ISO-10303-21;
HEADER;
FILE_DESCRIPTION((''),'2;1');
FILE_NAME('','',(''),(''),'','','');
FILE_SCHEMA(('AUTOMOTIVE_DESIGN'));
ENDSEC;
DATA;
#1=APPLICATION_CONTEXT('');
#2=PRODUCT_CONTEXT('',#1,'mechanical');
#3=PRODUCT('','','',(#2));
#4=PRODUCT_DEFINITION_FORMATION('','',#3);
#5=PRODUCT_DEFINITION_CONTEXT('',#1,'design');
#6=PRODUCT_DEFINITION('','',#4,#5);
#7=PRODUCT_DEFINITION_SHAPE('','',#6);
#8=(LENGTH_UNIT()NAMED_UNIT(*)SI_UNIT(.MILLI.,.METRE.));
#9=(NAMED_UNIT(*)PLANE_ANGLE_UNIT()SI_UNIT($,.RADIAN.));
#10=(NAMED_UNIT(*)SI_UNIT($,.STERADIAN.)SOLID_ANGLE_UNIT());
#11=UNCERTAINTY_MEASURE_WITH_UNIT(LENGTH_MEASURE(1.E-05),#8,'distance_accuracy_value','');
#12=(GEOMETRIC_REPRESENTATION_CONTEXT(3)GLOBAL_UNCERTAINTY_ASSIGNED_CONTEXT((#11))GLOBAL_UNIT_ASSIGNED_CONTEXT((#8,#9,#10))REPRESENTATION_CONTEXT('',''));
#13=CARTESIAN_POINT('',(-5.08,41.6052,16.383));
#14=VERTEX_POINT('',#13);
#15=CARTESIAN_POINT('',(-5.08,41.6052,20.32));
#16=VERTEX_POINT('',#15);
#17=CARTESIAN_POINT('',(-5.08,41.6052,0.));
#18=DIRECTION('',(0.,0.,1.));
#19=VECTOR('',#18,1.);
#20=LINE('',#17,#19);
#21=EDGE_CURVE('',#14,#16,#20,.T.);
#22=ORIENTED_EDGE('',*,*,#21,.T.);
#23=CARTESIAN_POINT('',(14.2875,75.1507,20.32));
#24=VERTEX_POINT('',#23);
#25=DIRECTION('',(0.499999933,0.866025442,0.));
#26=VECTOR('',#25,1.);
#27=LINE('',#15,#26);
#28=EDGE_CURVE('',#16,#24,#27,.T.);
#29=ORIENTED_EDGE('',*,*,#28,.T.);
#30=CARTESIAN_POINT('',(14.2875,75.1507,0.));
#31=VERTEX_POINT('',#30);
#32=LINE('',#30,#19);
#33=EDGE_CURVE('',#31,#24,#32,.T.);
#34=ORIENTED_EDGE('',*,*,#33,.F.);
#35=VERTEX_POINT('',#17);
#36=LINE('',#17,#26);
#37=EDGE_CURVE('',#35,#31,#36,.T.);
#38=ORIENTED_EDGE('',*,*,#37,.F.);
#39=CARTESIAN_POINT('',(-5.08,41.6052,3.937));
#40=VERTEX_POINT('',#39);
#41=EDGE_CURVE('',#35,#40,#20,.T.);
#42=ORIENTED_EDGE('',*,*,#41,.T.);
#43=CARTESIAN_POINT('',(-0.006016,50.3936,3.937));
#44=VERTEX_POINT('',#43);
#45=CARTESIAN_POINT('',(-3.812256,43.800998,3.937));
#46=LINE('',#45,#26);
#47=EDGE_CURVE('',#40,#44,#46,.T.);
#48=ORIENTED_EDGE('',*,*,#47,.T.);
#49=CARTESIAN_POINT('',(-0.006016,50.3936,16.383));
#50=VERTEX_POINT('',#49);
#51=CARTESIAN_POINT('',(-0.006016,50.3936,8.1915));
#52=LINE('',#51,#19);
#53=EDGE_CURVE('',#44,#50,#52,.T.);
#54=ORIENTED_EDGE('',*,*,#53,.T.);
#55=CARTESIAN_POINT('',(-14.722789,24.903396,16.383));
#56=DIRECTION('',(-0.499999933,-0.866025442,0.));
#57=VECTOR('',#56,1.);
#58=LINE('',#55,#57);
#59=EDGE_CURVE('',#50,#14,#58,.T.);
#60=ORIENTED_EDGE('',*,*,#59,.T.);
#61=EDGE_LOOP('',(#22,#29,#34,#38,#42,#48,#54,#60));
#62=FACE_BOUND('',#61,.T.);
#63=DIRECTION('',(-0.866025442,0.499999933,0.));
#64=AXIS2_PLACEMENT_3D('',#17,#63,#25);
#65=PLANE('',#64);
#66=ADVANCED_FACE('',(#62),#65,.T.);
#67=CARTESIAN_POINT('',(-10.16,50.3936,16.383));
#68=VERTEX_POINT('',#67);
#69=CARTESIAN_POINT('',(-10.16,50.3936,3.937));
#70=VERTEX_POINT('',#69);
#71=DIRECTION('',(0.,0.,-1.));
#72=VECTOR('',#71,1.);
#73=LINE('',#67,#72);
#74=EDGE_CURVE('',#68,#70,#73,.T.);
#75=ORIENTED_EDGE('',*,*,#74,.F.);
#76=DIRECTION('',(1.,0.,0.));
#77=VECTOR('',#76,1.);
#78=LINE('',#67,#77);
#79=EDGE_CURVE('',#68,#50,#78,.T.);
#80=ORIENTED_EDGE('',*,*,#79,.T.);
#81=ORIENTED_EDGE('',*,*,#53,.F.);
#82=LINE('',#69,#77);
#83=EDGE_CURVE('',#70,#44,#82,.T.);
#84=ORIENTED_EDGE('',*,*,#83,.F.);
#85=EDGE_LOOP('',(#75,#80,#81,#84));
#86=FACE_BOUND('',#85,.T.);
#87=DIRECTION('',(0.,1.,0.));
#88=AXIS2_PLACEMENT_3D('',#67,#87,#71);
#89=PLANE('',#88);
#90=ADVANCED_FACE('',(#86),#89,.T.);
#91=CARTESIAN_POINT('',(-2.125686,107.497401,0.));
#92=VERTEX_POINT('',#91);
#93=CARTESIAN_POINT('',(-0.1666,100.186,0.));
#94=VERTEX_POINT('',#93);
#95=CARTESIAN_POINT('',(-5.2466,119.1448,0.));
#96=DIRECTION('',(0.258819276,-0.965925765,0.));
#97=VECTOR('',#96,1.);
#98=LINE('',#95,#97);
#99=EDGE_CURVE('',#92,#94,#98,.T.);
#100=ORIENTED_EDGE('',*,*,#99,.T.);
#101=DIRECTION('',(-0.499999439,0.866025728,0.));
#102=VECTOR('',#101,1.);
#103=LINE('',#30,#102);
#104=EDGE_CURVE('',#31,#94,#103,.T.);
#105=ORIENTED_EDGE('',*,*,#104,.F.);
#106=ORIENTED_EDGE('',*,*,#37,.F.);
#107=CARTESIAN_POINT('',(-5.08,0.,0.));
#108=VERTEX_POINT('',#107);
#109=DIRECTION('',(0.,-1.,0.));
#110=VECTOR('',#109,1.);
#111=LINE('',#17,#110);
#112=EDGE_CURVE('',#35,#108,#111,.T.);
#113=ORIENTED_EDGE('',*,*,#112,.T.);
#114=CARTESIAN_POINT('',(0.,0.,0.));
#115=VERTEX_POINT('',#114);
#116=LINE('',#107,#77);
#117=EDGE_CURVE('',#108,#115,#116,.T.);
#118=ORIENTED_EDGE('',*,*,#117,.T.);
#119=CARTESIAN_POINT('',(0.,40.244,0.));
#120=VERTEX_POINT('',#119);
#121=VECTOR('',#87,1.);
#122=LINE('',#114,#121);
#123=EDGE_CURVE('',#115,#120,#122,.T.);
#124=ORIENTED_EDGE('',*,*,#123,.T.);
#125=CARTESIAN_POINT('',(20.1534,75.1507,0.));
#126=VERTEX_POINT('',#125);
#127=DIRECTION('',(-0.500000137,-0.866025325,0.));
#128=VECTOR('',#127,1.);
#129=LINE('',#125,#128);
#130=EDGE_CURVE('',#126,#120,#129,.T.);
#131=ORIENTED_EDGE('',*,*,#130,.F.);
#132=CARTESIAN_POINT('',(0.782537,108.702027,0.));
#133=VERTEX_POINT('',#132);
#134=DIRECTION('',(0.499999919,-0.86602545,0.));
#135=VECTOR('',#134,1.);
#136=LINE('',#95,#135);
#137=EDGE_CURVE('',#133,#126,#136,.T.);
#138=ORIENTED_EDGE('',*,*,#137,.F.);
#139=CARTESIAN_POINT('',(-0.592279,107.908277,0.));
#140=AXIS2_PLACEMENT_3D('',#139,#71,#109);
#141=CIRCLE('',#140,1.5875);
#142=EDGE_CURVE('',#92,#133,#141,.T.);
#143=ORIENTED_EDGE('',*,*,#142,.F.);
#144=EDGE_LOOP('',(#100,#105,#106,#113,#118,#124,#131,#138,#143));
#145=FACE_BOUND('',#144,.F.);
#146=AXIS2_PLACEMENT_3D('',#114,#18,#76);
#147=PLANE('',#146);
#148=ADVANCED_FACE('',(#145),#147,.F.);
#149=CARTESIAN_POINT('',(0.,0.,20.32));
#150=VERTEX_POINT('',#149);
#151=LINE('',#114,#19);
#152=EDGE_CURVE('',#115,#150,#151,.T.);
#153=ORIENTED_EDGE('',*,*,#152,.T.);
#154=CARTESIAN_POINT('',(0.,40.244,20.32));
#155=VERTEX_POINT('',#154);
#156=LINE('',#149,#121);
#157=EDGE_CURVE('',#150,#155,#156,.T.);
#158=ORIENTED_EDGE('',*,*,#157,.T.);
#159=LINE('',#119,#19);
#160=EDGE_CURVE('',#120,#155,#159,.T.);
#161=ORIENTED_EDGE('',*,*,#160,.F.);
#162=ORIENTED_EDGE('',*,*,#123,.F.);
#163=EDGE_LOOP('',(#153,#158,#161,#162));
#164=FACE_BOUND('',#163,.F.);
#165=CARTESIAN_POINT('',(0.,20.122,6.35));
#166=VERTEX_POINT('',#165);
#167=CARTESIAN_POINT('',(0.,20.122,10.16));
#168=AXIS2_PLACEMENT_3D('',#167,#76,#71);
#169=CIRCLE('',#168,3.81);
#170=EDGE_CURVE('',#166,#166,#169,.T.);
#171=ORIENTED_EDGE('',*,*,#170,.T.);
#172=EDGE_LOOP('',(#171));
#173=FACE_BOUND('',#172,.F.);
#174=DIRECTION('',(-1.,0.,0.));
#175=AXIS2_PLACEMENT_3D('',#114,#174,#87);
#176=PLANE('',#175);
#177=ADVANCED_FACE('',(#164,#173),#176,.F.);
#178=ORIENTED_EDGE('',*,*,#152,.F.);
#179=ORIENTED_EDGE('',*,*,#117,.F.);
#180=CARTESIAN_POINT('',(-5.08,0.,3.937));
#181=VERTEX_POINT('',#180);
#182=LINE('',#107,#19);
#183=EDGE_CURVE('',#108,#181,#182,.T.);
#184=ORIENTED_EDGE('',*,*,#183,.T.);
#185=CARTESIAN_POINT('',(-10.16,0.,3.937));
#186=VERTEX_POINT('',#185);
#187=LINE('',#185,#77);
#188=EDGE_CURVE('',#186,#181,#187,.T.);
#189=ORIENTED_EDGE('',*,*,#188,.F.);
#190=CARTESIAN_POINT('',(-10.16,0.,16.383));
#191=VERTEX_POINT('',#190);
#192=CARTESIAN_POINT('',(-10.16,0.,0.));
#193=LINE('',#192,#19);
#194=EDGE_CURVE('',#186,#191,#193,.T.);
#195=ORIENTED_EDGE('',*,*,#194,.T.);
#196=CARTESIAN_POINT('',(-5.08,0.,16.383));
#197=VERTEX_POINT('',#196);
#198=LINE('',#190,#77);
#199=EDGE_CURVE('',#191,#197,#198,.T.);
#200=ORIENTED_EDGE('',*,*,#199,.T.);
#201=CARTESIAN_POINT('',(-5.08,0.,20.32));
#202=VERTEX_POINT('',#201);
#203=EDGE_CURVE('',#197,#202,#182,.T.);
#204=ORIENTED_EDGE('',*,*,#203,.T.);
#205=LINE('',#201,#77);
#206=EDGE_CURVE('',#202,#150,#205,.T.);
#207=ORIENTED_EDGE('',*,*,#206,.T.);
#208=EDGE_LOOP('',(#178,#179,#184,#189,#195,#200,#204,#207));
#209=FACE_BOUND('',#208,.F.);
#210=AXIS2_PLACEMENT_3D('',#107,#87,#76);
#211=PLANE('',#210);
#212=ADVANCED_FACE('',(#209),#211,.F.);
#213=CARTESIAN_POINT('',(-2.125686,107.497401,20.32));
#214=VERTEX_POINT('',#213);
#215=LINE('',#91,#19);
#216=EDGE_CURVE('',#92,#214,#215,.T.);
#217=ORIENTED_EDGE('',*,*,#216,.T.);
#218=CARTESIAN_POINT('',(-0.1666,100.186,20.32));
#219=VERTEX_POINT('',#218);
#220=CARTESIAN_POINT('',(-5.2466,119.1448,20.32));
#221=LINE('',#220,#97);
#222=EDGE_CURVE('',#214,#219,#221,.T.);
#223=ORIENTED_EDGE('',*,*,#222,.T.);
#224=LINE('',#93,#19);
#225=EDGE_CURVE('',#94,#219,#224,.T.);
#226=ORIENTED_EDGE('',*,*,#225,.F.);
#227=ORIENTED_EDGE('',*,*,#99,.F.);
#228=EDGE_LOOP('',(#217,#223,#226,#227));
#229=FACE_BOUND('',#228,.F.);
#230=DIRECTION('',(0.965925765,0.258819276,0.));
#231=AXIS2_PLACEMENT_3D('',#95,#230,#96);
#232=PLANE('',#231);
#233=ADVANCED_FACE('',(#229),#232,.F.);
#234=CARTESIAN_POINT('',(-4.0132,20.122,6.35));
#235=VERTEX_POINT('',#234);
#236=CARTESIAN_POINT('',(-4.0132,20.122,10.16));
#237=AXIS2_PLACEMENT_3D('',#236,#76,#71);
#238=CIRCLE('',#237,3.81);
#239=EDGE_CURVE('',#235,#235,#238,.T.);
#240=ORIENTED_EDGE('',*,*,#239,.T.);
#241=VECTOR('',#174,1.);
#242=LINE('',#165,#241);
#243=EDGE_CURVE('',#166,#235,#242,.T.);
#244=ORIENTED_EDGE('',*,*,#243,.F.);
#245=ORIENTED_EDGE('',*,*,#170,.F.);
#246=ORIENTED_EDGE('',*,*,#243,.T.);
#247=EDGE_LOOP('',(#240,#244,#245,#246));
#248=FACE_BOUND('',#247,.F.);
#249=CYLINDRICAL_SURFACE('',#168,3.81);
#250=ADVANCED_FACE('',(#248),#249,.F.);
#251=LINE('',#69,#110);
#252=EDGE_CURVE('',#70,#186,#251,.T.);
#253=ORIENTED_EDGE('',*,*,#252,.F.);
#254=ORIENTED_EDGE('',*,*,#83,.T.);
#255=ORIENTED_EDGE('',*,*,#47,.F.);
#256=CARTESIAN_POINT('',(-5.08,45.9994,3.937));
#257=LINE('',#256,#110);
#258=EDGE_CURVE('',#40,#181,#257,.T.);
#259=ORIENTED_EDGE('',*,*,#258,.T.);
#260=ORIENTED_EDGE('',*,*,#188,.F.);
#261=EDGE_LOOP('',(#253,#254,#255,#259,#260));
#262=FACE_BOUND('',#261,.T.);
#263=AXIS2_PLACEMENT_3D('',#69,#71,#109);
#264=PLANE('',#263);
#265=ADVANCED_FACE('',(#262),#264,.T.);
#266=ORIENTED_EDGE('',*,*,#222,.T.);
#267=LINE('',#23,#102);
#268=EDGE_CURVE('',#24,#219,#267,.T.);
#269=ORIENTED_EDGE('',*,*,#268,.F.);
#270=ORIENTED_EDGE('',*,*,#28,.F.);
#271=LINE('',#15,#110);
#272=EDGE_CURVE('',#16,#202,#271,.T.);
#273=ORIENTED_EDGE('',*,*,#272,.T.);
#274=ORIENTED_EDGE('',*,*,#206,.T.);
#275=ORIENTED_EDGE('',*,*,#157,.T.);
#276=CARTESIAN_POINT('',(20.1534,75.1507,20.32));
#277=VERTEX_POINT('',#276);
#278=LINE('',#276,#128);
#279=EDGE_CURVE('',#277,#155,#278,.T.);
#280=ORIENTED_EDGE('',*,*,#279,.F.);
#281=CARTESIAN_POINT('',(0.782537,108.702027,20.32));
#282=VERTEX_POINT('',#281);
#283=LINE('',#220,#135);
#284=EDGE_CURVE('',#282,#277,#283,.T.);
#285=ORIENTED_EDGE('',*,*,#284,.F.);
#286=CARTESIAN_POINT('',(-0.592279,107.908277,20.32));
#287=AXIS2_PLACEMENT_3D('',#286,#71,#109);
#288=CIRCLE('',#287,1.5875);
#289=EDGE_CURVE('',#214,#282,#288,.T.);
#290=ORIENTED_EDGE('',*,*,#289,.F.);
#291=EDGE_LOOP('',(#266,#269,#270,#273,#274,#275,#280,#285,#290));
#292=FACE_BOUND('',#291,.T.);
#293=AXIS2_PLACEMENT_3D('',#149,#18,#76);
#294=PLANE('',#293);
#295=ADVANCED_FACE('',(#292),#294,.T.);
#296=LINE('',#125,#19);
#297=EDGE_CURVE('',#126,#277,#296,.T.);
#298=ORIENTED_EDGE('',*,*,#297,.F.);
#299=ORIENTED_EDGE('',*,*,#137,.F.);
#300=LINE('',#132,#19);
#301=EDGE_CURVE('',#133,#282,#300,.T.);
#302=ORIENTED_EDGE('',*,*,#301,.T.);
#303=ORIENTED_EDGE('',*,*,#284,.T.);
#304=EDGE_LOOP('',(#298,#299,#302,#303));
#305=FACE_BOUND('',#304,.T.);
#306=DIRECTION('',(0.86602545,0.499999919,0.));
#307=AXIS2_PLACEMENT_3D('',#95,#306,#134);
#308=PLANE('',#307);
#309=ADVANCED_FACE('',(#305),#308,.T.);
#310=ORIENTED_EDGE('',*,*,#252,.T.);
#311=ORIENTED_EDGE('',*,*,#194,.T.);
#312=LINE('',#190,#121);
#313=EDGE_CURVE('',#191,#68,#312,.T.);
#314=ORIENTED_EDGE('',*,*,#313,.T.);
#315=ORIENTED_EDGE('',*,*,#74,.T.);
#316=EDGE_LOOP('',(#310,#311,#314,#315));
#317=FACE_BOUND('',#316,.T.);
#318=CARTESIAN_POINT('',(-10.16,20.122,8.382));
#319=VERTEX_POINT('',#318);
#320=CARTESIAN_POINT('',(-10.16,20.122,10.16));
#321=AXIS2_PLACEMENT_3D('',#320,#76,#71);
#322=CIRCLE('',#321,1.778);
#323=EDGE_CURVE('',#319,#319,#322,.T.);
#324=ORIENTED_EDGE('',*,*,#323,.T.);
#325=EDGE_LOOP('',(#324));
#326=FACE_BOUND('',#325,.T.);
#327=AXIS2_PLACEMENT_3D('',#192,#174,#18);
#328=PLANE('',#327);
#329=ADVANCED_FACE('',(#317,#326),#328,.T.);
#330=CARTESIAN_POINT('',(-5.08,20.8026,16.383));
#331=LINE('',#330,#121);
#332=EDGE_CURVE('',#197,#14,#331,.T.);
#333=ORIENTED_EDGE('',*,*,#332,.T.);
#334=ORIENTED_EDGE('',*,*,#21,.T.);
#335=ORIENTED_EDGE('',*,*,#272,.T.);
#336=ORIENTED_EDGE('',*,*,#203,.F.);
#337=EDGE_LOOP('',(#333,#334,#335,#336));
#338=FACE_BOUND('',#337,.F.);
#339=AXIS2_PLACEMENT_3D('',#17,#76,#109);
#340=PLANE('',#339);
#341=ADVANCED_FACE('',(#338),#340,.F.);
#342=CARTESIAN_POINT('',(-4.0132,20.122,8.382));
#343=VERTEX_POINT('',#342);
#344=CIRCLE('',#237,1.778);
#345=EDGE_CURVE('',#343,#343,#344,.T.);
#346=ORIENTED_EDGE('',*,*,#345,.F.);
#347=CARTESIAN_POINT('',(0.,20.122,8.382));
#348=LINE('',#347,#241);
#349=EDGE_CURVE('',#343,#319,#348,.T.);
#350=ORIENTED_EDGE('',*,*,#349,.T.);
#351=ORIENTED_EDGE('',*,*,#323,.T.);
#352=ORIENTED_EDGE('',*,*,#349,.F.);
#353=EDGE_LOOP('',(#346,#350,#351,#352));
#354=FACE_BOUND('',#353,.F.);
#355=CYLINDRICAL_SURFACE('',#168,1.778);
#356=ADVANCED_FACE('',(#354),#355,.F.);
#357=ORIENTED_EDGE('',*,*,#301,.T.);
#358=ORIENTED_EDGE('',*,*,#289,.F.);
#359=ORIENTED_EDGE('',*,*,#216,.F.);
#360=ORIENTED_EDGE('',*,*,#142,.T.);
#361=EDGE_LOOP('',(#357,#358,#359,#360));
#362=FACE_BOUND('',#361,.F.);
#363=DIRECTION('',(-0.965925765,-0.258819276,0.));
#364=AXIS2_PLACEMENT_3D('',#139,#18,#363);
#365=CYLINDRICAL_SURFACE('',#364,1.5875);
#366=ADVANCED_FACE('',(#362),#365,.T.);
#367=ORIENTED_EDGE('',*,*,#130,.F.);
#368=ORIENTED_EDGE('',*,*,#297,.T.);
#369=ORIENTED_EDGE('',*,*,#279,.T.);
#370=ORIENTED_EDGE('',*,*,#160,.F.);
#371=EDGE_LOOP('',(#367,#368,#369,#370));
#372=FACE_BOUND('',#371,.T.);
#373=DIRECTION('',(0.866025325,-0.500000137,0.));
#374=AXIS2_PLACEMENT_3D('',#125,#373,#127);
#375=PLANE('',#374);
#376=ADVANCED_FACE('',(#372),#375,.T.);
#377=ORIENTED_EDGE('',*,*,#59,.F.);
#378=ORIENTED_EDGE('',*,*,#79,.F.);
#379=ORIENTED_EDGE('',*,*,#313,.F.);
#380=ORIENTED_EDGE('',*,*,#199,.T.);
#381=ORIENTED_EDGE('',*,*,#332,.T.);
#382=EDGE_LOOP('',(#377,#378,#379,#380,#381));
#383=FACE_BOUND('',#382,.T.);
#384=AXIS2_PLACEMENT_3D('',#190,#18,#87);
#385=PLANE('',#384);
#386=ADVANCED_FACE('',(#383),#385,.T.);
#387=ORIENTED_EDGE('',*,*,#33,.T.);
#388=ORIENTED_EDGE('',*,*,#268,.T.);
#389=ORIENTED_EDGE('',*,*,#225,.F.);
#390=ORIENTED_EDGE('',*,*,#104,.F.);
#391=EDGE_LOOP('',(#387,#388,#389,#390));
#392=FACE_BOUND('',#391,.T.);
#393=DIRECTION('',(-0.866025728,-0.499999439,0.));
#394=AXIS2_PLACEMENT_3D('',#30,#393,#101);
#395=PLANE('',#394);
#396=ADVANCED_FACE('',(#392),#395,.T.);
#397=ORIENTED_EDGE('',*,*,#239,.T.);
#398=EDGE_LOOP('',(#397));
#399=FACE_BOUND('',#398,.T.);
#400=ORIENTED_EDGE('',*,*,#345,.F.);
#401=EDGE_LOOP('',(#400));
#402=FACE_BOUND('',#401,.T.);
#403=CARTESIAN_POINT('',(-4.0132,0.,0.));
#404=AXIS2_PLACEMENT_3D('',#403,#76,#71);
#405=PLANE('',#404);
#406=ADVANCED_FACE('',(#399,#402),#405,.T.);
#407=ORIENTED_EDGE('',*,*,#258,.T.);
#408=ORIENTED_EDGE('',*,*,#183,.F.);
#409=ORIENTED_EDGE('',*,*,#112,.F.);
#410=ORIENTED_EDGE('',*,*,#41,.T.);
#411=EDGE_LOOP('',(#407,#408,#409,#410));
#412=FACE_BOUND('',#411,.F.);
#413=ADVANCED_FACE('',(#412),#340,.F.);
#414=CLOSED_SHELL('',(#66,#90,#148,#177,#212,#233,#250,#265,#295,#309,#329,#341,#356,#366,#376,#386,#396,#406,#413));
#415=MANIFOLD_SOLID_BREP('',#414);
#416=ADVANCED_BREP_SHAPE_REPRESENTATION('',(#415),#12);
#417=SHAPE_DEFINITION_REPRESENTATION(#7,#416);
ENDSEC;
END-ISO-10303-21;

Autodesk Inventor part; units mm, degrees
ref_plane "YZ Plane" through (0, 0, 0) normal (1, 0, 0) x (0, 1, 0)
ref_plane "XZ Plane" through (0, 0, 0) normal (0, 1, 0) x (-1, 0, 0)
ref_plane "XY Plane" through (0, 0, 0) normal (0, 0, 1) x (1, 0, 0)
sketch "Sketch1" plane through (0, 0, 0) normal (0, 0, 1) x (1, 0, 0)
  line L0 (0, 0) -> (0, 40.244)
  line L1 (-5.08, 41.6052) -> (-5.08, 0)
  line L2 (-5.08, 0) -> (0, 0)
  line L3 (-5.08, 41.6052) -> (14.2875, 75.1507)
  line L4 (14.2875, 75.1507) -> (-9.646, 116.6048)
  line L5 (-9.646, 116.6048) -> (-5.2466, 119.1448)
  line L6 (-5.2466, 119.1448) -> (20.1534, 75.1507)
  line L7 (20.1534, 75.1507) -> (0, 40.244)
  line L8 (-5.2466, 119.1448) -> (-0.1666, 100.186)
  dimension "d0" = 41.6052
  dimension "d1" = 5.08
  dimension "d6" = 5.08
  dimension "d7" = 5.08
  dimension "d8" = 30
  dimension "d10" = 120
  dimension "d11" = 50.8
  dimension "d12" = 38.735
  dimension "d13" = 15
extrude "Extrusion1" add sketch "Sketch1" along normal blind 20.32 contours L2 L1 L3 L4 L8 L6 L7 L0
fillet "Fillet1" radius 1.5875 1 edges at (-5.2466, 119.1448, 10.16)
ref_plane "Work Plane1" through (-10.16, 0, 0) normal (-1, 0, 0) x (0, 0, 1)
sketch "Sketch2" plane through (-10.16, 0, 0) normal (-1, 0, 0) x (0, 0, 1)
  line L0 (0, 0) -> (20.32, 0) projected
  line L1 (3.937, 0) -> (16.383, 0)
  line L2 (16.383, 0) -> (16.383, 50.3936)
  line L3 (16.383, 50.3936) -> (3.937, 50.3936)
  line L4 (3.937, 50.3936) -> (3.937, 0)
  point P0 (10.16, 0)
  dimension "d16" = 12.446
  dimension "d17" = 50.3936
  dimension "d18" = 6.223
extrude "Extrusion2" add sketch "Sketch2" against normal up to next
sketch "Sketch3" plane through (0, 0, 0) normal (1, 0, 0) x (0, 0, -1)
  circle A0 centre (-10.16, 20.122) radius 1.778
  line L0 (0, 0) -> (0, 40.244) projected
  line L1 (0, 0) -> (-20.32, 0) projected
  point P0 (0, 20.122)
  point P1 (-10.16, 0)
  dimension "d21" = 3.556
extrude "Extrusion3" cut sketch "Sketch3" against normal blind 25.4
sketch "Sketch4" plane through (0, 0, 0) normal (1, 0, 0) x (0, 0, -1)
  circle A0 centre (-10.16, 20.122) radius 1.778 projected
  circle A1 centre (-10.16, 20.122) radius 3.81
  point P0 (0, 0)
  dimension "d24" = 7.62
extrude "Extrusion4" cut sketch "Sketch4" against normal blind 4.0132
equation "\"d18\" = 0.5 * d16"
properties part number "KNUCKLE 2"
